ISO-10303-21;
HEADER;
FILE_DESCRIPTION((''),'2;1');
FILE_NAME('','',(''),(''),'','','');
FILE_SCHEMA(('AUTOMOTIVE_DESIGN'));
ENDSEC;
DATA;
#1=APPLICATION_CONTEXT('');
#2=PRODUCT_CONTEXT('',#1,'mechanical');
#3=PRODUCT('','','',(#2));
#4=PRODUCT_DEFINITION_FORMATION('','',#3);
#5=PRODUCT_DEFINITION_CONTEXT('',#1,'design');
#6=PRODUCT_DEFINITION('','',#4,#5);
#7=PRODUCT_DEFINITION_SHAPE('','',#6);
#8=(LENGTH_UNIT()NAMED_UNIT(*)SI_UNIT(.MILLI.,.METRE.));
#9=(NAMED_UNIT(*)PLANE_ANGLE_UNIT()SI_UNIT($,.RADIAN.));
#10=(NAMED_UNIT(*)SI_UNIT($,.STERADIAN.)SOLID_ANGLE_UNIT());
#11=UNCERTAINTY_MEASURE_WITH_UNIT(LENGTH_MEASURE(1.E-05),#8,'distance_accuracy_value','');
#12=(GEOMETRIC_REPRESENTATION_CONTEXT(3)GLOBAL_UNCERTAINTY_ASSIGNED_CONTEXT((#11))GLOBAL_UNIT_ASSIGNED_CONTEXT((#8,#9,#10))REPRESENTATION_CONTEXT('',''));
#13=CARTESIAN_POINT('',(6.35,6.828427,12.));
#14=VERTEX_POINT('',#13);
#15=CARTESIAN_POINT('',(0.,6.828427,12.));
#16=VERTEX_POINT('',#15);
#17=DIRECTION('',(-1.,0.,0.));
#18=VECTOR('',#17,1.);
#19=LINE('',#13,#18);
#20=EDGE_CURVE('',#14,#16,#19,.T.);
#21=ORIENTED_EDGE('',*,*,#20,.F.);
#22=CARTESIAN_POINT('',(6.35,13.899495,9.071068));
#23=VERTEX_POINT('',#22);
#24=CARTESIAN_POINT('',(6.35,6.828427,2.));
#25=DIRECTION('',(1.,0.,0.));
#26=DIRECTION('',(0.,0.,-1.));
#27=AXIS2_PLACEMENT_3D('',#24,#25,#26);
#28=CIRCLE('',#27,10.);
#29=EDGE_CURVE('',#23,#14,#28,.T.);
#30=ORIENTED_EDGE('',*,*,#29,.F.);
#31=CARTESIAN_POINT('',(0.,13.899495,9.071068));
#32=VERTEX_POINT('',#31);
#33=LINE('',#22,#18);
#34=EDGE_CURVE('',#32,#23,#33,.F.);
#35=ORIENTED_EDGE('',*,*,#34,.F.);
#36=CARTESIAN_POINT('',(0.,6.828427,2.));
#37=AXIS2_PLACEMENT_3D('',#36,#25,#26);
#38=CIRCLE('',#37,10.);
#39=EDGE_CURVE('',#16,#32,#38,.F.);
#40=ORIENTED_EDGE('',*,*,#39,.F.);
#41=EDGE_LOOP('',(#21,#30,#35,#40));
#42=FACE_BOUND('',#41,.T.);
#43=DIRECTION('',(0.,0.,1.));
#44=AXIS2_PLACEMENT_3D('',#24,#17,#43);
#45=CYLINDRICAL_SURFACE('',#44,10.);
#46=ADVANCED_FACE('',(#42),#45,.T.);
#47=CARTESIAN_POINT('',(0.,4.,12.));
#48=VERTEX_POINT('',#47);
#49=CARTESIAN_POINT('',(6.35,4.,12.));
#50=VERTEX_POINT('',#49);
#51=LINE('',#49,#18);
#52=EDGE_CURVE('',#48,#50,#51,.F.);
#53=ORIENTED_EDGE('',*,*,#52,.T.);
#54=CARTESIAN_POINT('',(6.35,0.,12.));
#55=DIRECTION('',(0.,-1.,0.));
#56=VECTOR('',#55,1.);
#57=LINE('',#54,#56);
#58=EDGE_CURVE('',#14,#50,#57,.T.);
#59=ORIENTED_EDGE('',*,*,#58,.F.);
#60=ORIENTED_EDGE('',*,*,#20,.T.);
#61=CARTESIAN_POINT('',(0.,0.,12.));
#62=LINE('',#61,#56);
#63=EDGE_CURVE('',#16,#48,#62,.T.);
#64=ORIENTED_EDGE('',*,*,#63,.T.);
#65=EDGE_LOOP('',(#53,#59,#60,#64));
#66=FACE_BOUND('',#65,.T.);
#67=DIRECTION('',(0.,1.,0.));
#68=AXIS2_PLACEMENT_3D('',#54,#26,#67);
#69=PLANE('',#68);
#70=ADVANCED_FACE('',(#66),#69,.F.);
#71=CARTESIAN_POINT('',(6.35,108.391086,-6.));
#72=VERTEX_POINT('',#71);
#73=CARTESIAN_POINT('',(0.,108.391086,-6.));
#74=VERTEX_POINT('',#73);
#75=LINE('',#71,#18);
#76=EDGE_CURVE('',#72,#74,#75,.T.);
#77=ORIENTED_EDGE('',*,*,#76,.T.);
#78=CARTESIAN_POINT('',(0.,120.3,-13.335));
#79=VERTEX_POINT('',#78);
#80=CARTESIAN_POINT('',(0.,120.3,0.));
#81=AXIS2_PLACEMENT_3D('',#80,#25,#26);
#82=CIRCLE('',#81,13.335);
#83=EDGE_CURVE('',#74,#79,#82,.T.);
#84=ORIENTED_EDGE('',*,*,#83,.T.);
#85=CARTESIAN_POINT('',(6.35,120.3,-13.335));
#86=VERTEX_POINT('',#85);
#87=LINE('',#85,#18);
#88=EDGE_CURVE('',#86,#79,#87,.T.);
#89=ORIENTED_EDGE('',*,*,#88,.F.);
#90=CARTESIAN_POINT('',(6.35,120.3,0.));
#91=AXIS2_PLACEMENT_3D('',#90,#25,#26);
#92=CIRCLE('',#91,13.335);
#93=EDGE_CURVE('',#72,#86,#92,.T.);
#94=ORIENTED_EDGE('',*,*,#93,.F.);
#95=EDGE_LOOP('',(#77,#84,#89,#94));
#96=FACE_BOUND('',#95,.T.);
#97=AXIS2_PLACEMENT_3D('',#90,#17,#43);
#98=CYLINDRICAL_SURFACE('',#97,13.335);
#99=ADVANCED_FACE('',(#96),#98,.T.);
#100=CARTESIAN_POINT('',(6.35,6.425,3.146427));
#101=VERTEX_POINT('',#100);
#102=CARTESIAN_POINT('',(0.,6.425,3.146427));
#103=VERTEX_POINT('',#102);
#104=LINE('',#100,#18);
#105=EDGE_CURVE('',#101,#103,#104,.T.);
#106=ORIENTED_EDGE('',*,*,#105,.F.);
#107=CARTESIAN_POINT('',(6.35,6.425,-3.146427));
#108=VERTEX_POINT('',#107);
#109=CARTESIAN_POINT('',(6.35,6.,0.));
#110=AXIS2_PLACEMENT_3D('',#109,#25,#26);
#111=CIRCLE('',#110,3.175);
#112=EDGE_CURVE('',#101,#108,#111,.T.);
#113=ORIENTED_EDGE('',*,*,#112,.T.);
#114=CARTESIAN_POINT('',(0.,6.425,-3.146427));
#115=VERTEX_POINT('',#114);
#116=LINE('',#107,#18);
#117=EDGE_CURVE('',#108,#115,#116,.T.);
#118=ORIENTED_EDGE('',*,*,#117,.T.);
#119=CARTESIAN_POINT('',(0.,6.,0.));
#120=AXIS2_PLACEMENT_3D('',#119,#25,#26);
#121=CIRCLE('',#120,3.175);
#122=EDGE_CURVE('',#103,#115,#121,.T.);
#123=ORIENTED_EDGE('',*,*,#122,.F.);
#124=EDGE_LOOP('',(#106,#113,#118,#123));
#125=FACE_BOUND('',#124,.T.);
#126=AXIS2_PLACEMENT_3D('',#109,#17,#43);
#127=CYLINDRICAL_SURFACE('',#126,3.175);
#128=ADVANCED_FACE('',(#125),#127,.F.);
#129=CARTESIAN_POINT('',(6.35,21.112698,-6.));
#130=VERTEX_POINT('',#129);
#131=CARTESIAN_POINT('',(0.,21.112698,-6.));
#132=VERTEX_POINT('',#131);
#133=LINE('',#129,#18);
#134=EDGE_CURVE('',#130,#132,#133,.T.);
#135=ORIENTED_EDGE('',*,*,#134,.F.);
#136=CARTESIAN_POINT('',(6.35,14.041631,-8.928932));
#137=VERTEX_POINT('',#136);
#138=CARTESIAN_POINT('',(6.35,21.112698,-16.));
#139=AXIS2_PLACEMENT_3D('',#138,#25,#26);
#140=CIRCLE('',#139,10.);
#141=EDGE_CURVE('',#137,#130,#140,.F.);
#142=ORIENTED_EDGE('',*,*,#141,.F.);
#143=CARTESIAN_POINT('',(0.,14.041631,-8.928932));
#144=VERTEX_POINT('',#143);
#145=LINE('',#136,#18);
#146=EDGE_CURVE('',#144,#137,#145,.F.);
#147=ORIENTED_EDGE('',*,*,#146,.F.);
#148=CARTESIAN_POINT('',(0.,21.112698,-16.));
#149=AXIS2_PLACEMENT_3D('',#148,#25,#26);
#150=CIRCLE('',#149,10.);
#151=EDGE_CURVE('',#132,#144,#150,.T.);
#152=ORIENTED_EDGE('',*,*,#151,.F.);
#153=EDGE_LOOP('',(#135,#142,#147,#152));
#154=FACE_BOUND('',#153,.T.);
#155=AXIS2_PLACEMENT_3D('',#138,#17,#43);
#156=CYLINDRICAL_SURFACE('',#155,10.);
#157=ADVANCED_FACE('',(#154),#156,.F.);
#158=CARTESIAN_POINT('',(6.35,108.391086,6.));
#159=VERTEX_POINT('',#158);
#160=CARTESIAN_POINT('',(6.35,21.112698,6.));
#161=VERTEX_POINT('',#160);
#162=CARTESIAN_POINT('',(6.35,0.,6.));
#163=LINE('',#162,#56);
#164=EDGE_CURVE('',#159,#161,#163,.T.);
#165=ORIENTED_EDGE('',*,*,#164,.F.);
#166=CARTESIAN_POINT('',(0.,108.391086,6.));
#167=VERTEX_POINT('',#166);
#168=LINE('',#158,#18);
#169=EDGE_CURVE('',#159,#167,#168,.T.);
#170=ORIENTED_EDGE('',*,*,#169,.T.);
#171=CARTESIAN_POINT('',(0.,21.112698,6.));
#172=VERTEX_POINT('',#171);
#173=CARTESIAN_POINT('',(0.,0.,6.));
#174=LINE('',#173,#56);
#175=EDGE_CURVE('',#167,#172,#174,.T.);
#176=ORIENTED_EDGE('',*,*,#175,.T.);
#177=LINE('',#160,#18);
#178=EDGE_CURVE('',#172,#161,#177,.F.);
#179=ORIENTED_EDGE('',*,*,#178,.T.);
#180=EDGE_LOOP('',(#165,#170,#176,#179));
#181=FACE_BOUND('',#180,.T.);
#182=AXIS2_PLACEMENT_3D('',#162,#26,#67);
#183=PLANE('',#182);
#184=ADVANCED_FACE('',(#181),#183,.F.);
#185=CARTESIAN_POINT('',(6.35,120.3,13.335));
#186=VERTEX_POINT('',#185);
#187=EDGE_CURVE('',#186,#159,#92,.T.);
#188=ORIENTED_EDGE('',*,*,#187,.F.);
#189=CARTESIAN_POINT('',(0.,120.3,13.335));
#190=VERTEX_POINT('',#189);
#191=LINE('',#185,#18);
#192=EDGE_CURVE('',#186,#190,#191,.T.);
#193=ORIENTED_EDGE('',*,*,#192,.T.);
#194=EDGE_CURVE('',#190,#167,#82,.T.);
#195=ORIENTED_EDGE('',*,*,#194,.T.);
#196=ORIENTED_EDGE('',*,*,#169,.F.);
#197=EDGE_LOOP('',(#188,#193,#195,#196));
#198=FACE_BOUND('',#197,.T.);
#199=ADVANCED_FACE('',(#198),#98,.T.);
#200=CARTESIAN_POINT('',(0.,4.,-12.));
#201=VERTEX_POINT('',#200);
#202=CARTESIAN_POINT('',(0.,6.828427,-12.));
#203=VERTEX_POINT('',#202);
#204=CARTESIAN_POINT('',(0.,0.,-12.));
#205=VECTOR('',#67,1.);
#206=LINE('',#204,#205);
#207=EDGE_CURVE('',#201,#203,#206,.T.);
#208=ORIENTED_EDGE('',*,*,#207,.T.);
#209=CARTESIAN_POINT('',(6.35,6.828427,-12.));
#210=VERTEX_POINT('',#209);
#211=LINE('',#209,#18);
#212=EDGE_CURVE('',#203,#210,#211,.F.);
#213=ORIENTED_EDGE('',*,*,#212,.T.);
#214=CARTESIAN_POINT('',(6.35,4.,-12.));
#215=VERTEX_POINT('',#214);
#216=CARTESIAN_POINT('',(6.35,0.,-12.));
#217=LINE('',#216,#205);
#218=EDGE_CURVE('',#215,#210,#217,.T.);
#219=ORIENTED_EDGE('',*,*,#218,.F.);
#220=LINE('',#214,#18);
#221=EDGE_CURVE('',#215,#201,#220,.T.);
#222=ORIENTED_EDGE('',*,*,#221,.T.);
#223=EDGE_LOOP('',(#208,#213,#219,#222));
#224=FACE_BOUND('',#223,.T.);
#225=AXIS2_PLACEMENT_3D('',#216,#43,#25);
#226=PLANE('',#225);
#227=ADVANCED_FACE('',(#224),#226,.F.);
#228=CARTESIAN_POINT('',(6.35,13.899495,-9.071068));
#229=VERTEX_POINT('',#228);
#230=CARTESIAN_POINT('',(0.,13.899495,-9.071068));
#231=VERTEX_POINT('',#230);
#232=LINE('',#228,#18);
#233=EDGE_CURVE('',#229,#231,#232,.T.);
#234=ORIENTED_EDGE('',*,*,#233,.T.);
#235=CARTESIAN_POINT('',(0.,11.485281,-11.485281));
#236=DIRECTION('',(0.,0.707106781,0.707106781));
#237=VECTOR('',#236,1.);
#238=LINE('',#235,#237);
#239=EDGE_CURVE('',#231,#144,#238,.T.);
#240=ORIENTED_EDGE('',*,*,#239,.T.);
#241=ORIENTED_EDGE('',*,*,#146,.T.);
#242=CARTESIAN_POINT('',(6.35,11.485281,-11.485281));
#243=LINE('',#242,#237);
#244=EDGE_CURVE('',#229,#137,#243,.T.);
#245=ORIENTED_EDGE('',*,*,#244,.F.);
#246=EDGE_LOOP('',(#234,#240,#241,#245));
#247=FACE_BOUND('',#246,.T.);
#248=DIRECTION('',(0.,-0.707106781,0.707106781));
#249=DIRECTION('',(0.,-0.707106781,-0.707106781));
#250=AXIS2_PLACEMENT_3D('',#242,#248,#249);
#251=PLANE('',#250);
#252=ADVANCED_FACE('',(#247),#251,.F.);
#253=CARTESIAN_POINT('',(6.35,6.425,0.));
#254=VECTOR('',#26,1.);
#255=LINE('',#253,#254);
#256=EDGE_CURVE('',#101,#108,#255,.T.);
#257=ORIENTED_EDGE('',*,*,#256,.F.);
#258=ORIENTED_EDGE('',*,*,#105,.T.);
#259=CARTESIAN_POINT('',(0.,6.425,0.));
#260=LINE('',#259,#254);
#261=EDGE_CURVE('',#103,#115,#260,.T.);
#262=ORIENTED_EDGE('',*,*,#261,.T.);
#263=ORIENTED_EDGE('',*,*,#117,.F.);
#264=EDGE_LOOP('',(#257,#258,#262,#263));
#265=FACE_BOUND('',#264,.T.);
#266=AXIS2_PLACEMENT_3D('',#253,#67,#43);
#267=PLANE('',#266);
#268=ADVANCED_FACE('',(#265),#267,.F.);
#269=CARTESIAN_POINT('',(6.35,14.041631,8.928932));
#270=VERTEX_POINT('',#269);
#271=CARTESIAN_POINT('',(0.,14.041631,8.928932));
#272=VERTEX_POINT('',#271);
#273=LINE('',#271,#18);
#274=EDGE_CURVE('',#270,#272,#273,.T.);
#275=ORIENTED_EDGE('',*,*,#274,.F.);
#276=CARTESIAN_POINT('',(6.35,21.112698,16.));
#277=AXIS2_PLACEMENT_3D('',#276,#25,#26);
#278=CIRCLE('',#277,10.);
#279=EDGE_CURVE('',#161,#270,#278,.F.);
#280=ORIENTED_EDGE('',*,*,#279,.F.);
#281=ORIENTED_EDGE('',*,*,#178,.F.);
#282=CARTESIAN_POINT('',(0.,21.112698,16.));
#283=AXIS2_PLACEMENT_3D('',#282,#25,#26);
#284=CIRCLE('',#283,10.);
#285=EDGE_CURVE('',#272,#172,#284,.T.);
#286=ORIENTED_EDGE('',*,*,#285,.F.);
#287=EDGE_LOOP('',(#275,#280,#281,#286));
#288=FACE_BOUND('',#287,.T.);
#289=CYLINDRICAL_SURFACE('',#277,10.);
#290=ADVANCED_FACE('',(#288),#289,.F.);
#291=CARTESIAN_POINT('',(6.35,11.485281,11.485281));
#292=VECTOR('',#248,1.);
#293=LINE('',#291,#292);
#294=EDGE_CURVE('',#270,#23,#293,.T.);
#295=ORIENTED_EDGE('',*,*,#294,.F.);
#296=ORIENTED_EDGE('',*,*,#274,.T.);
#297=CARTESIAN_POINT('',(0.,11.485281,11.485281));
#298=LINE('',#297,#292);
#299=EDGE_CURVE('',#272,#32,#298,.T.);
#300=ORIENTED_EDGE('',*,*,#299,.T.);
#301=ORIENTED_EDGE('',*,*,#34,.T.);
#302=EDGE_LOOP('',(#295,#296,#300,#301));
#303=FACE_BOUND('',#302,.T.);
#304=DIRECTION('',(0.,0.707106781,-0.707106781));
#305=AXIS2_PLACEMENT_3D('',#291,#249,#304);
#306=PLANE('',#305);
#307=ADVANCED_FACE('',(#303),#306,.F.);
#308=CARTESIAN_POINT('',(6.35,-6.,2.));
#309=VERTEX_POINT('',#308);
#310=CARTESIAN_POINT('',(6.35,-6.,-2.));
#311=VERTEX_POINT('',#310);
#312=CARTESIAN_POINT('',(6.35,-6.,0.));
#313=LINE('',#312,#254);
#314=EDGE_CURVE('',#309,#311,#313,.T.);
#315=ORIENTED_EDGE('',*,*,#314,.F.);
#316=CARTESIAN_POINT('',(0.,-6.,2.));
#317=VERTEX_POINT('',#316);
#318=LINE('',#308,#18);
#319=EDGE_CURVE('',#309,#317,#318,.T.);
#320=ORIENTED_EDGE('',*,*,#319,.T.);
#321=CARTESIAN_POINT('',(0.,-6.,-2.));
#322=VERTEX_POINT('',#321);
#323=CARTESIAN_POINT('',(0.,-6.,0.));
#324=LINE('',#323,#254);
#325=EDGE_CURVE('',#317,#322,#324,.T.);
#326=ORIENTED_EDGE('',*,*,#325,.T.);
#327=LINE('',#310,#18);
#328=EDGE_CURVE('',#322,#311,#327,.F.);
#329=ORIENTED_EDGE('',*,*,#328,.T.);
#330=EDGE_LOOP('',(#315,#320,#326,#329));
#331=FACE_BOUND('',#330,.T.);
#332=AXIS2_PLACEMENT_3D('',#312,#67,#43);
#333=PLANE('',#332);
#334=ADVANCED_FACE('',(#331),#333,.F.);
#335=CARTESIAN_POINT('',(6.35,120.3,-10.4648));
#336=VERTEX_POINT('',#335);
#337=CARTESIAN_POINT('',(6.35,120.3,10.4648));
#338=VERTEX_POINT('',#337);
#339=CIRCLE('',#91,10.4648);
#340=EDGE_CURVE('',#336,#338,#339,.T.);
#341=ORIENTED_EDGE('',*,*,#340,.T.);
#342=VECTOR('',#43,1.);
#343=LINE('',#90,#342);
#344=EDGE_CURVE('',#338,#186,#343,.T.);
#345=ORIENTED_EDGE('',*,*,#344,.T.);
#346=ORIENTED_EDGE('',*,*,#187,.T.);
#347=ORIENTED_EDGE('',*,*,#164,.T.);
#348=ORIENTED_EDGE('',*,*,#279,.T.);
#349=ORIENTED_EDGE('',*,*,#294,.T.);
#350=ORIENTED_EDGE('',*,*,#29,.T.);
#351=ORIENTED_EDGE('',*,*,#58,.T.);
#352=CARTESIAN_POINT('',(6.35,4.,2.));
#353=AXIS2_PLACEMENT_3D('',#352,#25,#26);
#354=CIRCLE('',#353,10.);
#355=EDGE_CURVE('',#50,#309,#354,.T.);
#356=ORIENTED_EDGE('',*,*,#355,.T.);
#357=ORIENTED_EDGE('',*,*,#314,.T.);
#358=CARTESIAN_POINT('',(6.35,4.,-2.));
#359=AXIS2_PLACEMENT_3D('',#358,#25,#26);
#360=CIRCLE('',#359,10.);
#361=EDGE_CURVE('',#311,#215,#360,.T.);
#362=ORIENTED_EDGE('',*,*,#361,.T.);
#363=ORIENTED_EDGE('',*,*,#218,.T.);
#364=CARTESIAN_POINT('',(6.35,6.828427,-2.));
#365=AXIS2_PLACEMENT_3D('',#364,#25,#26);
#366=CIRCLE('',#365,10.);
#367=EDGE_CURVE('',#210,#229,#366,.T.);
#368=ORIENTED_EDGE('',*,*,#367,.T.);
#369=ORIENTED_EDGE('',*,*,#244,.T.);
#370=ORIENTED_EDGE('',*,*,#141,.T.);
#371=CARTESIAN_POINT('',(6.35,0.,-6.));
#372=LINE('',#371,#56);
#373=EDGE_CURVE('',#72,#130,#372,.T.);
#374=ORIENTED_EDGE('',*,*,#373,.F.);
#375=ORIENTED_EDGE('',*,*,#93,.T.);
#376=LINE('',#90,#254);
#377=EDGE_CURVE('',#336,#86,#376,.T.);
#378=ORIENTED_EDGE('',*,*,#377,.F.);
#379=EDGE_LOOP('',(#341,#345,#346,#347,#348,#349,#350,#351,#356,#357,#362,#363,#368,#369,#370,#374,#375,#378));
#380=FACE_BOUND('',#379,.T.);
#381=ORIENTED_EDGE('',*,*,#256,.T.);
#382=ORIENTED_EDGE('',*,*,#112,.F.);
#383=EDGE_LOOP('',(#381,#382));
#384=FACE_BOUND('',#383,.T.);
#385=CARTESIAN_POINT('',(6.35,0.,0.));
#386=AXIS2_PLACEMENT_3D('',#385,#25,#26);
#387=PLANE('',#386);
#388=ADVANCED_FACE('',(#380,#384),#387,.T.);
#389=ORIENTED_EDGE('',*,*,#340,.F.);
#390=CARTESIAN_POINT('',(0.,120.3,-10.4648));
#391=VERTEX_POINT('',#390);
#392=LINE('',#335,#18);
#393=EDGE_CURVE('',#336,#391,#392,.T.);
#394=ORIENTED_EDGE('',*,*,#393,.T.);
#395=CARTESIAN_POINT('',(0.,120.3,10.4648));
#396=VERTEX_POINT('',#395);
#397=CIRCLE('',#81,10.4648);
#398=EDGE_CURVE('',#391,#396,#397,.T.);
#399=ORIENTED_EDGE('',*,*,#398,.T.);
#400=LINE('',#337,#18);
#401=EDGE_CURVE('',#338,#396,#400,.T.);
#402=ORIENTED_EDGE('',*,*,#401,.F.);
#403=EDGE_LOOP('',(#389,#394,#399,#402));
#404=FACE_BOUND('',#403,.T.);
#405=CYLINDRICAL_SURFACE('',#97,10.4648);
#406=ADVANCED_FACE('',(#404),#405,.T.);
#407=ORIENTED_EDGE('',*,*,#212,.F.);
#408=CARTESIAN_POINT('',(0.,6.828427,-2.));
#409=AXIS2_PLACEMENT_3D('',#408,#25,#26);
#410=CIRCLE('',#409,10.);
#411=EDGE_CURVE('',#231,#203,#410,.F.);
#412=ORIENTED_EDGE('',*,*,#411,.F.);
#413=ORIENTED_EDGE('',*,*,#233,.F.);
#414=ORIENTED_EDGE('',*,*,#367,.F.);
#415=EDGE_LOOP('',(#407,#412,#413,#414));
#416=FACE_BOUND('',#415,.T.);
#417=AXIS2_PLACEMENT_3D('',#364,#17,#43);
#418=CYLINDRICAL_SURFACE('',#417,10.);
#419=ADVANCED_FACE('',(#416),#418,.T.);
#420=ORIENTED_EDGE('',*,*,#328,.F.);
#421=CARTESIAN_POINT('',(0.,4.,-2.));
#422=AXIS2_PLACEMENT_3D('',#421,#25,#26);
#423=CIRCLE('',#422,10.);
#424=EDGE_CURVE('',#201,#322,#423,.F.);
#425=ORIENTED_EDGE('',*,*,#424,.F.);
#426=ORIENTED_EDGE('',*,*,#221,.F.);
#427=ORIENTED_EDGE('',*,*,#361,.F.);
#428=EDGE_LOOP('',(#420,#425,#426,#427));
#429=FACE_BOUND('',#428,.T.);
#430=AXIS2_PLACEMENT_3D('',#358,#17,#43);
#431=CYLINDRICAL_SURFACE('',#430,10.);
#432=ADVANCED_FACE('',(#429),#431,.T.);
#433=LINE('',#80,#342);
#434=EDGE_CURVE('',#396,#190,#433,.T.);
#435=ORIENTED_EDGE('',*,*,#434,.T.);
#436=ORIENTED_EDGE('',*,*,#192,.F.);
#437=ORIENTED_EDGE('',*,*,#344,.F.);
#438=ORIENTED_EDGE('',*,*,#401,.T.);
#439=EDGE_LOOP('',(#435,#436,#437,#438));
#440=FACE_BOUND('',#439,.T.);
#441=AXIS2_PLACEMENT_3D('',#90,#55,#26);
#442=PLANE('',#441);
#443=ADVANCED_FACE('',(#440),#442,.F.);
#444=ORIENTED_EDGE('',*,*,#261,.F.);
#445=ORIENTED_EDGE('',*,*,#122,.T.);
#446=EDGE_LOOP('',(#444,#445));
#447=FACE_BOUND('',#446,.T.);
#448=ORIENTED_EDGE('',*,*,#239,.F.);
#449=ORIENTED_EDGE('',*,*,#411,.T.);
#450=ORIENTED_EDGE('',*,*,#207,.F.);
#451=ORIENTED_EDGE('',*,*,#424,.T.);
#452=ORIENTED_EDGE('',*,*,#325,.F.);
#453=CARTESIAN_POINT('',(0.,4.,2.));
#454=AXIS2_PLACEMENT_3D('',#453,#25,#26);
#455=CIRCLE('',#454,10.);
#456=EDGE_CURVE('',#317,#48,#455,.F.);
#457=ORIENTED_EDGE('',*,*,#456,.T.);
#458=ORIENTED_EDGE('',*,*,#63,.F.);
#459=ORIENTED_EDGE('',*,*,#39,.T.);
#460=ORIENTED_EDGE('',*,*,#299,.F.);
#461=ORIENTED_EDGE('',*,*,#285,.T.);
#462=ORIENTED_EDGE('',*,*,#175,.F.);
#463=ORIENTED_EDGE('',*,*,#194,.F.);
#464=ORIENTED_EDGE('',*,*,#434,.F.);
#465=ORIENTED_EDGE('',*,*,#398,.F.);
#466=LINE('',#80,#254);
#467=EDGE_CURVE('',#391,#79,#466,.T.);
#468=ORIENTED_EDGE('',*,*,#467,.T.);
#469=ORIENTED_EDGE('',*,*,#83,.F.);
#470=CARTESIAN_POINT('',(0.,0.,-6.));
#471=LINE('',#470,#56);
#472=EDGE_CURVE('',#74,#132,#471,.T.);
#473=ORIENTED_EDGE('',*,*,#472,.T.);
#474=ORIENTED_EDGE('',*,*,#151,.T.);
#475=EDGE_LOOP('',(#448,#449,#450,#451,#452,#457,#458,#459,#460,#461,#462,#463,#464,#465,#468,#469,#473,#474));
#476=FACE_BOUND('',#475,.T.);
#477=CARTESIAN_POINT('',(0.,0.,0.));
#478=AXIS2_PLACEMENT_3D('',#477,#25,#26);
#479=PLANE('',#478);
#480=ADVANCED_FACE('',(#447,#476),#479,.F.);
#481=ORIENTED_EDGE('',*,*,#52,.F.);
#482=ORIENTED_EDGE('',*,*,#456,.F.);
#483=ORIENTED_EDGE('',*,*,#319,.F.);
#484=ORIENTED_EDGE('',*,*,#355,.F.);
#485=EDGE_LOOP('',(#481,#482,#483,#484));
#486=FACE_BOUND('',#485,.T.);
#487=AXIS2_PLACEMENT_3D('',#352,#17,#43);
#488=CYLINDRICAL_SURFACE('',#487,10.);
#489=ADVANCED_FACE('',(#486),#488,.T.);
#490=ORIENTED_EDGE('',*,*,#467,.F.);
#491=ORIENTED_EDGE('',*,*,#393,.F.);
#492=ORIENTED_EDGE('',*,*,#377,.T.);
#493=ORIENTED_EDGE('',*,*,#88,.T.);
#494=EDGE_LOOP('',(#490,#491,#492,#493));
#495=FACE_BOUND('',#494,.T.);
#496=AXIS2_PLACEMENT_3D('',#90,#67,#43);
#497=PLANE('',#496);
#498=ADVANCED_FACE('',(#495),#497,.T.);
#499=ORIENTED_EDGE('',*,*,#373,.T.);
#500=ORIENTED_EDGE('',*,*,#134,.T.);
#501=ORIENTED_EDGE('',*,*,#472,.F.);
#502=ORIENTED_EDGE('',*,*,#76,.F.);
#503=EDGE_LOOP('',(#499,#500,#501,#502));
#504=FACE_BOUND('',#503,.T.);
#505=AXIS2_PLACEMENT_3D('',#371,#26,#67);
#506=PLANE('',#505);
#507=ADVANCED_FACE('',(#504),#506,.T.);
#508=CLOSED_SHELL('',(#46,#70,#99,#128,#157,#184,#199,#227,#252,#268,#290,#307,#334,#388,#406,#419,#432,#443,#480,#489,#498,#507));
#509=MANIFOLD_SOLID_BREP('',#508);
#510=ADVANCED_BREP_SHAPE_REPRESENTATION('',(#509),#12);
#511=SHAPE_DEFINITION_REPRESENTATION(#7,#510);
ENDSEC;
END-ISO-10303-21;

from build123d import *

# Parameters (mm, degrees)
BOSS_EXTRUDE1_DEPTH = 6.35
FILLET1_R           = 10


with BuildPart() as part:
    # Sketch1 → Boss-Extrude1 (new body)
    with BuildSketch(Plane(origin=(0, 0, 0), x_dir=(0, 0, -1), z_dir=(1, 0, 0))):
        with BuildLine():
            Line((-6, 108.391086322), (-6, 16.970562748))
            Line((-6, 16.970562748), (-12, 10.970562748))
            Line((-12, 10.970562748), (-12, -6))
            Line((-12, -6), (12, -6))
            Line((12, -6), (12, 10.970562748))
            Line((12, 10.970562748), (6, 16.970562748))
            Line((6, 16.970562748), (6, 108.391086322))
            ThreePointArc((6, 108.391086322), (11.35412315, 113.306709465), (13.335, 120.3))
            Line((13.335, 120.3), (10.4648, 120.3))
            ThreePointArc((10.4648, 120.3), (0, 130.7648), (-10.4648, 120.3))
            Line((-10.4648, 120.3), (-13.335, 120.3))
            ThreePointArc((-13.335, 120.3), (-11.35412315, 113.306709465), (-6, 108.391086322))
        make_face()
        with BuildLine():
            Line((-3.146426545, 6.425), (3.146426545, 6.425))
            ThreePointArc((3.146426545, 6.425), (0, 2.825), (-3.146426545, 6.425))
        make_face(mode=Mode.SUBTRACT)
    extrude(amount=BOSS_EXTRUDE1_DEPTH)

    # Fillet1
    fillet1_edges = [part.edges().sort_by_distance(p)[0] for p in [
        (3.175, 16.970562748, -6),
        (3.175, 10.970562748, -12),
        (3.175, -6, -12),
        (3.175, -6, 12),
        (3.175, 10.970562748, 12),
        (3.175, 16.970562748, 6),
    ]]
    fillet(fillet1_edges, radius=FILLET1_R)


solid = part.part
